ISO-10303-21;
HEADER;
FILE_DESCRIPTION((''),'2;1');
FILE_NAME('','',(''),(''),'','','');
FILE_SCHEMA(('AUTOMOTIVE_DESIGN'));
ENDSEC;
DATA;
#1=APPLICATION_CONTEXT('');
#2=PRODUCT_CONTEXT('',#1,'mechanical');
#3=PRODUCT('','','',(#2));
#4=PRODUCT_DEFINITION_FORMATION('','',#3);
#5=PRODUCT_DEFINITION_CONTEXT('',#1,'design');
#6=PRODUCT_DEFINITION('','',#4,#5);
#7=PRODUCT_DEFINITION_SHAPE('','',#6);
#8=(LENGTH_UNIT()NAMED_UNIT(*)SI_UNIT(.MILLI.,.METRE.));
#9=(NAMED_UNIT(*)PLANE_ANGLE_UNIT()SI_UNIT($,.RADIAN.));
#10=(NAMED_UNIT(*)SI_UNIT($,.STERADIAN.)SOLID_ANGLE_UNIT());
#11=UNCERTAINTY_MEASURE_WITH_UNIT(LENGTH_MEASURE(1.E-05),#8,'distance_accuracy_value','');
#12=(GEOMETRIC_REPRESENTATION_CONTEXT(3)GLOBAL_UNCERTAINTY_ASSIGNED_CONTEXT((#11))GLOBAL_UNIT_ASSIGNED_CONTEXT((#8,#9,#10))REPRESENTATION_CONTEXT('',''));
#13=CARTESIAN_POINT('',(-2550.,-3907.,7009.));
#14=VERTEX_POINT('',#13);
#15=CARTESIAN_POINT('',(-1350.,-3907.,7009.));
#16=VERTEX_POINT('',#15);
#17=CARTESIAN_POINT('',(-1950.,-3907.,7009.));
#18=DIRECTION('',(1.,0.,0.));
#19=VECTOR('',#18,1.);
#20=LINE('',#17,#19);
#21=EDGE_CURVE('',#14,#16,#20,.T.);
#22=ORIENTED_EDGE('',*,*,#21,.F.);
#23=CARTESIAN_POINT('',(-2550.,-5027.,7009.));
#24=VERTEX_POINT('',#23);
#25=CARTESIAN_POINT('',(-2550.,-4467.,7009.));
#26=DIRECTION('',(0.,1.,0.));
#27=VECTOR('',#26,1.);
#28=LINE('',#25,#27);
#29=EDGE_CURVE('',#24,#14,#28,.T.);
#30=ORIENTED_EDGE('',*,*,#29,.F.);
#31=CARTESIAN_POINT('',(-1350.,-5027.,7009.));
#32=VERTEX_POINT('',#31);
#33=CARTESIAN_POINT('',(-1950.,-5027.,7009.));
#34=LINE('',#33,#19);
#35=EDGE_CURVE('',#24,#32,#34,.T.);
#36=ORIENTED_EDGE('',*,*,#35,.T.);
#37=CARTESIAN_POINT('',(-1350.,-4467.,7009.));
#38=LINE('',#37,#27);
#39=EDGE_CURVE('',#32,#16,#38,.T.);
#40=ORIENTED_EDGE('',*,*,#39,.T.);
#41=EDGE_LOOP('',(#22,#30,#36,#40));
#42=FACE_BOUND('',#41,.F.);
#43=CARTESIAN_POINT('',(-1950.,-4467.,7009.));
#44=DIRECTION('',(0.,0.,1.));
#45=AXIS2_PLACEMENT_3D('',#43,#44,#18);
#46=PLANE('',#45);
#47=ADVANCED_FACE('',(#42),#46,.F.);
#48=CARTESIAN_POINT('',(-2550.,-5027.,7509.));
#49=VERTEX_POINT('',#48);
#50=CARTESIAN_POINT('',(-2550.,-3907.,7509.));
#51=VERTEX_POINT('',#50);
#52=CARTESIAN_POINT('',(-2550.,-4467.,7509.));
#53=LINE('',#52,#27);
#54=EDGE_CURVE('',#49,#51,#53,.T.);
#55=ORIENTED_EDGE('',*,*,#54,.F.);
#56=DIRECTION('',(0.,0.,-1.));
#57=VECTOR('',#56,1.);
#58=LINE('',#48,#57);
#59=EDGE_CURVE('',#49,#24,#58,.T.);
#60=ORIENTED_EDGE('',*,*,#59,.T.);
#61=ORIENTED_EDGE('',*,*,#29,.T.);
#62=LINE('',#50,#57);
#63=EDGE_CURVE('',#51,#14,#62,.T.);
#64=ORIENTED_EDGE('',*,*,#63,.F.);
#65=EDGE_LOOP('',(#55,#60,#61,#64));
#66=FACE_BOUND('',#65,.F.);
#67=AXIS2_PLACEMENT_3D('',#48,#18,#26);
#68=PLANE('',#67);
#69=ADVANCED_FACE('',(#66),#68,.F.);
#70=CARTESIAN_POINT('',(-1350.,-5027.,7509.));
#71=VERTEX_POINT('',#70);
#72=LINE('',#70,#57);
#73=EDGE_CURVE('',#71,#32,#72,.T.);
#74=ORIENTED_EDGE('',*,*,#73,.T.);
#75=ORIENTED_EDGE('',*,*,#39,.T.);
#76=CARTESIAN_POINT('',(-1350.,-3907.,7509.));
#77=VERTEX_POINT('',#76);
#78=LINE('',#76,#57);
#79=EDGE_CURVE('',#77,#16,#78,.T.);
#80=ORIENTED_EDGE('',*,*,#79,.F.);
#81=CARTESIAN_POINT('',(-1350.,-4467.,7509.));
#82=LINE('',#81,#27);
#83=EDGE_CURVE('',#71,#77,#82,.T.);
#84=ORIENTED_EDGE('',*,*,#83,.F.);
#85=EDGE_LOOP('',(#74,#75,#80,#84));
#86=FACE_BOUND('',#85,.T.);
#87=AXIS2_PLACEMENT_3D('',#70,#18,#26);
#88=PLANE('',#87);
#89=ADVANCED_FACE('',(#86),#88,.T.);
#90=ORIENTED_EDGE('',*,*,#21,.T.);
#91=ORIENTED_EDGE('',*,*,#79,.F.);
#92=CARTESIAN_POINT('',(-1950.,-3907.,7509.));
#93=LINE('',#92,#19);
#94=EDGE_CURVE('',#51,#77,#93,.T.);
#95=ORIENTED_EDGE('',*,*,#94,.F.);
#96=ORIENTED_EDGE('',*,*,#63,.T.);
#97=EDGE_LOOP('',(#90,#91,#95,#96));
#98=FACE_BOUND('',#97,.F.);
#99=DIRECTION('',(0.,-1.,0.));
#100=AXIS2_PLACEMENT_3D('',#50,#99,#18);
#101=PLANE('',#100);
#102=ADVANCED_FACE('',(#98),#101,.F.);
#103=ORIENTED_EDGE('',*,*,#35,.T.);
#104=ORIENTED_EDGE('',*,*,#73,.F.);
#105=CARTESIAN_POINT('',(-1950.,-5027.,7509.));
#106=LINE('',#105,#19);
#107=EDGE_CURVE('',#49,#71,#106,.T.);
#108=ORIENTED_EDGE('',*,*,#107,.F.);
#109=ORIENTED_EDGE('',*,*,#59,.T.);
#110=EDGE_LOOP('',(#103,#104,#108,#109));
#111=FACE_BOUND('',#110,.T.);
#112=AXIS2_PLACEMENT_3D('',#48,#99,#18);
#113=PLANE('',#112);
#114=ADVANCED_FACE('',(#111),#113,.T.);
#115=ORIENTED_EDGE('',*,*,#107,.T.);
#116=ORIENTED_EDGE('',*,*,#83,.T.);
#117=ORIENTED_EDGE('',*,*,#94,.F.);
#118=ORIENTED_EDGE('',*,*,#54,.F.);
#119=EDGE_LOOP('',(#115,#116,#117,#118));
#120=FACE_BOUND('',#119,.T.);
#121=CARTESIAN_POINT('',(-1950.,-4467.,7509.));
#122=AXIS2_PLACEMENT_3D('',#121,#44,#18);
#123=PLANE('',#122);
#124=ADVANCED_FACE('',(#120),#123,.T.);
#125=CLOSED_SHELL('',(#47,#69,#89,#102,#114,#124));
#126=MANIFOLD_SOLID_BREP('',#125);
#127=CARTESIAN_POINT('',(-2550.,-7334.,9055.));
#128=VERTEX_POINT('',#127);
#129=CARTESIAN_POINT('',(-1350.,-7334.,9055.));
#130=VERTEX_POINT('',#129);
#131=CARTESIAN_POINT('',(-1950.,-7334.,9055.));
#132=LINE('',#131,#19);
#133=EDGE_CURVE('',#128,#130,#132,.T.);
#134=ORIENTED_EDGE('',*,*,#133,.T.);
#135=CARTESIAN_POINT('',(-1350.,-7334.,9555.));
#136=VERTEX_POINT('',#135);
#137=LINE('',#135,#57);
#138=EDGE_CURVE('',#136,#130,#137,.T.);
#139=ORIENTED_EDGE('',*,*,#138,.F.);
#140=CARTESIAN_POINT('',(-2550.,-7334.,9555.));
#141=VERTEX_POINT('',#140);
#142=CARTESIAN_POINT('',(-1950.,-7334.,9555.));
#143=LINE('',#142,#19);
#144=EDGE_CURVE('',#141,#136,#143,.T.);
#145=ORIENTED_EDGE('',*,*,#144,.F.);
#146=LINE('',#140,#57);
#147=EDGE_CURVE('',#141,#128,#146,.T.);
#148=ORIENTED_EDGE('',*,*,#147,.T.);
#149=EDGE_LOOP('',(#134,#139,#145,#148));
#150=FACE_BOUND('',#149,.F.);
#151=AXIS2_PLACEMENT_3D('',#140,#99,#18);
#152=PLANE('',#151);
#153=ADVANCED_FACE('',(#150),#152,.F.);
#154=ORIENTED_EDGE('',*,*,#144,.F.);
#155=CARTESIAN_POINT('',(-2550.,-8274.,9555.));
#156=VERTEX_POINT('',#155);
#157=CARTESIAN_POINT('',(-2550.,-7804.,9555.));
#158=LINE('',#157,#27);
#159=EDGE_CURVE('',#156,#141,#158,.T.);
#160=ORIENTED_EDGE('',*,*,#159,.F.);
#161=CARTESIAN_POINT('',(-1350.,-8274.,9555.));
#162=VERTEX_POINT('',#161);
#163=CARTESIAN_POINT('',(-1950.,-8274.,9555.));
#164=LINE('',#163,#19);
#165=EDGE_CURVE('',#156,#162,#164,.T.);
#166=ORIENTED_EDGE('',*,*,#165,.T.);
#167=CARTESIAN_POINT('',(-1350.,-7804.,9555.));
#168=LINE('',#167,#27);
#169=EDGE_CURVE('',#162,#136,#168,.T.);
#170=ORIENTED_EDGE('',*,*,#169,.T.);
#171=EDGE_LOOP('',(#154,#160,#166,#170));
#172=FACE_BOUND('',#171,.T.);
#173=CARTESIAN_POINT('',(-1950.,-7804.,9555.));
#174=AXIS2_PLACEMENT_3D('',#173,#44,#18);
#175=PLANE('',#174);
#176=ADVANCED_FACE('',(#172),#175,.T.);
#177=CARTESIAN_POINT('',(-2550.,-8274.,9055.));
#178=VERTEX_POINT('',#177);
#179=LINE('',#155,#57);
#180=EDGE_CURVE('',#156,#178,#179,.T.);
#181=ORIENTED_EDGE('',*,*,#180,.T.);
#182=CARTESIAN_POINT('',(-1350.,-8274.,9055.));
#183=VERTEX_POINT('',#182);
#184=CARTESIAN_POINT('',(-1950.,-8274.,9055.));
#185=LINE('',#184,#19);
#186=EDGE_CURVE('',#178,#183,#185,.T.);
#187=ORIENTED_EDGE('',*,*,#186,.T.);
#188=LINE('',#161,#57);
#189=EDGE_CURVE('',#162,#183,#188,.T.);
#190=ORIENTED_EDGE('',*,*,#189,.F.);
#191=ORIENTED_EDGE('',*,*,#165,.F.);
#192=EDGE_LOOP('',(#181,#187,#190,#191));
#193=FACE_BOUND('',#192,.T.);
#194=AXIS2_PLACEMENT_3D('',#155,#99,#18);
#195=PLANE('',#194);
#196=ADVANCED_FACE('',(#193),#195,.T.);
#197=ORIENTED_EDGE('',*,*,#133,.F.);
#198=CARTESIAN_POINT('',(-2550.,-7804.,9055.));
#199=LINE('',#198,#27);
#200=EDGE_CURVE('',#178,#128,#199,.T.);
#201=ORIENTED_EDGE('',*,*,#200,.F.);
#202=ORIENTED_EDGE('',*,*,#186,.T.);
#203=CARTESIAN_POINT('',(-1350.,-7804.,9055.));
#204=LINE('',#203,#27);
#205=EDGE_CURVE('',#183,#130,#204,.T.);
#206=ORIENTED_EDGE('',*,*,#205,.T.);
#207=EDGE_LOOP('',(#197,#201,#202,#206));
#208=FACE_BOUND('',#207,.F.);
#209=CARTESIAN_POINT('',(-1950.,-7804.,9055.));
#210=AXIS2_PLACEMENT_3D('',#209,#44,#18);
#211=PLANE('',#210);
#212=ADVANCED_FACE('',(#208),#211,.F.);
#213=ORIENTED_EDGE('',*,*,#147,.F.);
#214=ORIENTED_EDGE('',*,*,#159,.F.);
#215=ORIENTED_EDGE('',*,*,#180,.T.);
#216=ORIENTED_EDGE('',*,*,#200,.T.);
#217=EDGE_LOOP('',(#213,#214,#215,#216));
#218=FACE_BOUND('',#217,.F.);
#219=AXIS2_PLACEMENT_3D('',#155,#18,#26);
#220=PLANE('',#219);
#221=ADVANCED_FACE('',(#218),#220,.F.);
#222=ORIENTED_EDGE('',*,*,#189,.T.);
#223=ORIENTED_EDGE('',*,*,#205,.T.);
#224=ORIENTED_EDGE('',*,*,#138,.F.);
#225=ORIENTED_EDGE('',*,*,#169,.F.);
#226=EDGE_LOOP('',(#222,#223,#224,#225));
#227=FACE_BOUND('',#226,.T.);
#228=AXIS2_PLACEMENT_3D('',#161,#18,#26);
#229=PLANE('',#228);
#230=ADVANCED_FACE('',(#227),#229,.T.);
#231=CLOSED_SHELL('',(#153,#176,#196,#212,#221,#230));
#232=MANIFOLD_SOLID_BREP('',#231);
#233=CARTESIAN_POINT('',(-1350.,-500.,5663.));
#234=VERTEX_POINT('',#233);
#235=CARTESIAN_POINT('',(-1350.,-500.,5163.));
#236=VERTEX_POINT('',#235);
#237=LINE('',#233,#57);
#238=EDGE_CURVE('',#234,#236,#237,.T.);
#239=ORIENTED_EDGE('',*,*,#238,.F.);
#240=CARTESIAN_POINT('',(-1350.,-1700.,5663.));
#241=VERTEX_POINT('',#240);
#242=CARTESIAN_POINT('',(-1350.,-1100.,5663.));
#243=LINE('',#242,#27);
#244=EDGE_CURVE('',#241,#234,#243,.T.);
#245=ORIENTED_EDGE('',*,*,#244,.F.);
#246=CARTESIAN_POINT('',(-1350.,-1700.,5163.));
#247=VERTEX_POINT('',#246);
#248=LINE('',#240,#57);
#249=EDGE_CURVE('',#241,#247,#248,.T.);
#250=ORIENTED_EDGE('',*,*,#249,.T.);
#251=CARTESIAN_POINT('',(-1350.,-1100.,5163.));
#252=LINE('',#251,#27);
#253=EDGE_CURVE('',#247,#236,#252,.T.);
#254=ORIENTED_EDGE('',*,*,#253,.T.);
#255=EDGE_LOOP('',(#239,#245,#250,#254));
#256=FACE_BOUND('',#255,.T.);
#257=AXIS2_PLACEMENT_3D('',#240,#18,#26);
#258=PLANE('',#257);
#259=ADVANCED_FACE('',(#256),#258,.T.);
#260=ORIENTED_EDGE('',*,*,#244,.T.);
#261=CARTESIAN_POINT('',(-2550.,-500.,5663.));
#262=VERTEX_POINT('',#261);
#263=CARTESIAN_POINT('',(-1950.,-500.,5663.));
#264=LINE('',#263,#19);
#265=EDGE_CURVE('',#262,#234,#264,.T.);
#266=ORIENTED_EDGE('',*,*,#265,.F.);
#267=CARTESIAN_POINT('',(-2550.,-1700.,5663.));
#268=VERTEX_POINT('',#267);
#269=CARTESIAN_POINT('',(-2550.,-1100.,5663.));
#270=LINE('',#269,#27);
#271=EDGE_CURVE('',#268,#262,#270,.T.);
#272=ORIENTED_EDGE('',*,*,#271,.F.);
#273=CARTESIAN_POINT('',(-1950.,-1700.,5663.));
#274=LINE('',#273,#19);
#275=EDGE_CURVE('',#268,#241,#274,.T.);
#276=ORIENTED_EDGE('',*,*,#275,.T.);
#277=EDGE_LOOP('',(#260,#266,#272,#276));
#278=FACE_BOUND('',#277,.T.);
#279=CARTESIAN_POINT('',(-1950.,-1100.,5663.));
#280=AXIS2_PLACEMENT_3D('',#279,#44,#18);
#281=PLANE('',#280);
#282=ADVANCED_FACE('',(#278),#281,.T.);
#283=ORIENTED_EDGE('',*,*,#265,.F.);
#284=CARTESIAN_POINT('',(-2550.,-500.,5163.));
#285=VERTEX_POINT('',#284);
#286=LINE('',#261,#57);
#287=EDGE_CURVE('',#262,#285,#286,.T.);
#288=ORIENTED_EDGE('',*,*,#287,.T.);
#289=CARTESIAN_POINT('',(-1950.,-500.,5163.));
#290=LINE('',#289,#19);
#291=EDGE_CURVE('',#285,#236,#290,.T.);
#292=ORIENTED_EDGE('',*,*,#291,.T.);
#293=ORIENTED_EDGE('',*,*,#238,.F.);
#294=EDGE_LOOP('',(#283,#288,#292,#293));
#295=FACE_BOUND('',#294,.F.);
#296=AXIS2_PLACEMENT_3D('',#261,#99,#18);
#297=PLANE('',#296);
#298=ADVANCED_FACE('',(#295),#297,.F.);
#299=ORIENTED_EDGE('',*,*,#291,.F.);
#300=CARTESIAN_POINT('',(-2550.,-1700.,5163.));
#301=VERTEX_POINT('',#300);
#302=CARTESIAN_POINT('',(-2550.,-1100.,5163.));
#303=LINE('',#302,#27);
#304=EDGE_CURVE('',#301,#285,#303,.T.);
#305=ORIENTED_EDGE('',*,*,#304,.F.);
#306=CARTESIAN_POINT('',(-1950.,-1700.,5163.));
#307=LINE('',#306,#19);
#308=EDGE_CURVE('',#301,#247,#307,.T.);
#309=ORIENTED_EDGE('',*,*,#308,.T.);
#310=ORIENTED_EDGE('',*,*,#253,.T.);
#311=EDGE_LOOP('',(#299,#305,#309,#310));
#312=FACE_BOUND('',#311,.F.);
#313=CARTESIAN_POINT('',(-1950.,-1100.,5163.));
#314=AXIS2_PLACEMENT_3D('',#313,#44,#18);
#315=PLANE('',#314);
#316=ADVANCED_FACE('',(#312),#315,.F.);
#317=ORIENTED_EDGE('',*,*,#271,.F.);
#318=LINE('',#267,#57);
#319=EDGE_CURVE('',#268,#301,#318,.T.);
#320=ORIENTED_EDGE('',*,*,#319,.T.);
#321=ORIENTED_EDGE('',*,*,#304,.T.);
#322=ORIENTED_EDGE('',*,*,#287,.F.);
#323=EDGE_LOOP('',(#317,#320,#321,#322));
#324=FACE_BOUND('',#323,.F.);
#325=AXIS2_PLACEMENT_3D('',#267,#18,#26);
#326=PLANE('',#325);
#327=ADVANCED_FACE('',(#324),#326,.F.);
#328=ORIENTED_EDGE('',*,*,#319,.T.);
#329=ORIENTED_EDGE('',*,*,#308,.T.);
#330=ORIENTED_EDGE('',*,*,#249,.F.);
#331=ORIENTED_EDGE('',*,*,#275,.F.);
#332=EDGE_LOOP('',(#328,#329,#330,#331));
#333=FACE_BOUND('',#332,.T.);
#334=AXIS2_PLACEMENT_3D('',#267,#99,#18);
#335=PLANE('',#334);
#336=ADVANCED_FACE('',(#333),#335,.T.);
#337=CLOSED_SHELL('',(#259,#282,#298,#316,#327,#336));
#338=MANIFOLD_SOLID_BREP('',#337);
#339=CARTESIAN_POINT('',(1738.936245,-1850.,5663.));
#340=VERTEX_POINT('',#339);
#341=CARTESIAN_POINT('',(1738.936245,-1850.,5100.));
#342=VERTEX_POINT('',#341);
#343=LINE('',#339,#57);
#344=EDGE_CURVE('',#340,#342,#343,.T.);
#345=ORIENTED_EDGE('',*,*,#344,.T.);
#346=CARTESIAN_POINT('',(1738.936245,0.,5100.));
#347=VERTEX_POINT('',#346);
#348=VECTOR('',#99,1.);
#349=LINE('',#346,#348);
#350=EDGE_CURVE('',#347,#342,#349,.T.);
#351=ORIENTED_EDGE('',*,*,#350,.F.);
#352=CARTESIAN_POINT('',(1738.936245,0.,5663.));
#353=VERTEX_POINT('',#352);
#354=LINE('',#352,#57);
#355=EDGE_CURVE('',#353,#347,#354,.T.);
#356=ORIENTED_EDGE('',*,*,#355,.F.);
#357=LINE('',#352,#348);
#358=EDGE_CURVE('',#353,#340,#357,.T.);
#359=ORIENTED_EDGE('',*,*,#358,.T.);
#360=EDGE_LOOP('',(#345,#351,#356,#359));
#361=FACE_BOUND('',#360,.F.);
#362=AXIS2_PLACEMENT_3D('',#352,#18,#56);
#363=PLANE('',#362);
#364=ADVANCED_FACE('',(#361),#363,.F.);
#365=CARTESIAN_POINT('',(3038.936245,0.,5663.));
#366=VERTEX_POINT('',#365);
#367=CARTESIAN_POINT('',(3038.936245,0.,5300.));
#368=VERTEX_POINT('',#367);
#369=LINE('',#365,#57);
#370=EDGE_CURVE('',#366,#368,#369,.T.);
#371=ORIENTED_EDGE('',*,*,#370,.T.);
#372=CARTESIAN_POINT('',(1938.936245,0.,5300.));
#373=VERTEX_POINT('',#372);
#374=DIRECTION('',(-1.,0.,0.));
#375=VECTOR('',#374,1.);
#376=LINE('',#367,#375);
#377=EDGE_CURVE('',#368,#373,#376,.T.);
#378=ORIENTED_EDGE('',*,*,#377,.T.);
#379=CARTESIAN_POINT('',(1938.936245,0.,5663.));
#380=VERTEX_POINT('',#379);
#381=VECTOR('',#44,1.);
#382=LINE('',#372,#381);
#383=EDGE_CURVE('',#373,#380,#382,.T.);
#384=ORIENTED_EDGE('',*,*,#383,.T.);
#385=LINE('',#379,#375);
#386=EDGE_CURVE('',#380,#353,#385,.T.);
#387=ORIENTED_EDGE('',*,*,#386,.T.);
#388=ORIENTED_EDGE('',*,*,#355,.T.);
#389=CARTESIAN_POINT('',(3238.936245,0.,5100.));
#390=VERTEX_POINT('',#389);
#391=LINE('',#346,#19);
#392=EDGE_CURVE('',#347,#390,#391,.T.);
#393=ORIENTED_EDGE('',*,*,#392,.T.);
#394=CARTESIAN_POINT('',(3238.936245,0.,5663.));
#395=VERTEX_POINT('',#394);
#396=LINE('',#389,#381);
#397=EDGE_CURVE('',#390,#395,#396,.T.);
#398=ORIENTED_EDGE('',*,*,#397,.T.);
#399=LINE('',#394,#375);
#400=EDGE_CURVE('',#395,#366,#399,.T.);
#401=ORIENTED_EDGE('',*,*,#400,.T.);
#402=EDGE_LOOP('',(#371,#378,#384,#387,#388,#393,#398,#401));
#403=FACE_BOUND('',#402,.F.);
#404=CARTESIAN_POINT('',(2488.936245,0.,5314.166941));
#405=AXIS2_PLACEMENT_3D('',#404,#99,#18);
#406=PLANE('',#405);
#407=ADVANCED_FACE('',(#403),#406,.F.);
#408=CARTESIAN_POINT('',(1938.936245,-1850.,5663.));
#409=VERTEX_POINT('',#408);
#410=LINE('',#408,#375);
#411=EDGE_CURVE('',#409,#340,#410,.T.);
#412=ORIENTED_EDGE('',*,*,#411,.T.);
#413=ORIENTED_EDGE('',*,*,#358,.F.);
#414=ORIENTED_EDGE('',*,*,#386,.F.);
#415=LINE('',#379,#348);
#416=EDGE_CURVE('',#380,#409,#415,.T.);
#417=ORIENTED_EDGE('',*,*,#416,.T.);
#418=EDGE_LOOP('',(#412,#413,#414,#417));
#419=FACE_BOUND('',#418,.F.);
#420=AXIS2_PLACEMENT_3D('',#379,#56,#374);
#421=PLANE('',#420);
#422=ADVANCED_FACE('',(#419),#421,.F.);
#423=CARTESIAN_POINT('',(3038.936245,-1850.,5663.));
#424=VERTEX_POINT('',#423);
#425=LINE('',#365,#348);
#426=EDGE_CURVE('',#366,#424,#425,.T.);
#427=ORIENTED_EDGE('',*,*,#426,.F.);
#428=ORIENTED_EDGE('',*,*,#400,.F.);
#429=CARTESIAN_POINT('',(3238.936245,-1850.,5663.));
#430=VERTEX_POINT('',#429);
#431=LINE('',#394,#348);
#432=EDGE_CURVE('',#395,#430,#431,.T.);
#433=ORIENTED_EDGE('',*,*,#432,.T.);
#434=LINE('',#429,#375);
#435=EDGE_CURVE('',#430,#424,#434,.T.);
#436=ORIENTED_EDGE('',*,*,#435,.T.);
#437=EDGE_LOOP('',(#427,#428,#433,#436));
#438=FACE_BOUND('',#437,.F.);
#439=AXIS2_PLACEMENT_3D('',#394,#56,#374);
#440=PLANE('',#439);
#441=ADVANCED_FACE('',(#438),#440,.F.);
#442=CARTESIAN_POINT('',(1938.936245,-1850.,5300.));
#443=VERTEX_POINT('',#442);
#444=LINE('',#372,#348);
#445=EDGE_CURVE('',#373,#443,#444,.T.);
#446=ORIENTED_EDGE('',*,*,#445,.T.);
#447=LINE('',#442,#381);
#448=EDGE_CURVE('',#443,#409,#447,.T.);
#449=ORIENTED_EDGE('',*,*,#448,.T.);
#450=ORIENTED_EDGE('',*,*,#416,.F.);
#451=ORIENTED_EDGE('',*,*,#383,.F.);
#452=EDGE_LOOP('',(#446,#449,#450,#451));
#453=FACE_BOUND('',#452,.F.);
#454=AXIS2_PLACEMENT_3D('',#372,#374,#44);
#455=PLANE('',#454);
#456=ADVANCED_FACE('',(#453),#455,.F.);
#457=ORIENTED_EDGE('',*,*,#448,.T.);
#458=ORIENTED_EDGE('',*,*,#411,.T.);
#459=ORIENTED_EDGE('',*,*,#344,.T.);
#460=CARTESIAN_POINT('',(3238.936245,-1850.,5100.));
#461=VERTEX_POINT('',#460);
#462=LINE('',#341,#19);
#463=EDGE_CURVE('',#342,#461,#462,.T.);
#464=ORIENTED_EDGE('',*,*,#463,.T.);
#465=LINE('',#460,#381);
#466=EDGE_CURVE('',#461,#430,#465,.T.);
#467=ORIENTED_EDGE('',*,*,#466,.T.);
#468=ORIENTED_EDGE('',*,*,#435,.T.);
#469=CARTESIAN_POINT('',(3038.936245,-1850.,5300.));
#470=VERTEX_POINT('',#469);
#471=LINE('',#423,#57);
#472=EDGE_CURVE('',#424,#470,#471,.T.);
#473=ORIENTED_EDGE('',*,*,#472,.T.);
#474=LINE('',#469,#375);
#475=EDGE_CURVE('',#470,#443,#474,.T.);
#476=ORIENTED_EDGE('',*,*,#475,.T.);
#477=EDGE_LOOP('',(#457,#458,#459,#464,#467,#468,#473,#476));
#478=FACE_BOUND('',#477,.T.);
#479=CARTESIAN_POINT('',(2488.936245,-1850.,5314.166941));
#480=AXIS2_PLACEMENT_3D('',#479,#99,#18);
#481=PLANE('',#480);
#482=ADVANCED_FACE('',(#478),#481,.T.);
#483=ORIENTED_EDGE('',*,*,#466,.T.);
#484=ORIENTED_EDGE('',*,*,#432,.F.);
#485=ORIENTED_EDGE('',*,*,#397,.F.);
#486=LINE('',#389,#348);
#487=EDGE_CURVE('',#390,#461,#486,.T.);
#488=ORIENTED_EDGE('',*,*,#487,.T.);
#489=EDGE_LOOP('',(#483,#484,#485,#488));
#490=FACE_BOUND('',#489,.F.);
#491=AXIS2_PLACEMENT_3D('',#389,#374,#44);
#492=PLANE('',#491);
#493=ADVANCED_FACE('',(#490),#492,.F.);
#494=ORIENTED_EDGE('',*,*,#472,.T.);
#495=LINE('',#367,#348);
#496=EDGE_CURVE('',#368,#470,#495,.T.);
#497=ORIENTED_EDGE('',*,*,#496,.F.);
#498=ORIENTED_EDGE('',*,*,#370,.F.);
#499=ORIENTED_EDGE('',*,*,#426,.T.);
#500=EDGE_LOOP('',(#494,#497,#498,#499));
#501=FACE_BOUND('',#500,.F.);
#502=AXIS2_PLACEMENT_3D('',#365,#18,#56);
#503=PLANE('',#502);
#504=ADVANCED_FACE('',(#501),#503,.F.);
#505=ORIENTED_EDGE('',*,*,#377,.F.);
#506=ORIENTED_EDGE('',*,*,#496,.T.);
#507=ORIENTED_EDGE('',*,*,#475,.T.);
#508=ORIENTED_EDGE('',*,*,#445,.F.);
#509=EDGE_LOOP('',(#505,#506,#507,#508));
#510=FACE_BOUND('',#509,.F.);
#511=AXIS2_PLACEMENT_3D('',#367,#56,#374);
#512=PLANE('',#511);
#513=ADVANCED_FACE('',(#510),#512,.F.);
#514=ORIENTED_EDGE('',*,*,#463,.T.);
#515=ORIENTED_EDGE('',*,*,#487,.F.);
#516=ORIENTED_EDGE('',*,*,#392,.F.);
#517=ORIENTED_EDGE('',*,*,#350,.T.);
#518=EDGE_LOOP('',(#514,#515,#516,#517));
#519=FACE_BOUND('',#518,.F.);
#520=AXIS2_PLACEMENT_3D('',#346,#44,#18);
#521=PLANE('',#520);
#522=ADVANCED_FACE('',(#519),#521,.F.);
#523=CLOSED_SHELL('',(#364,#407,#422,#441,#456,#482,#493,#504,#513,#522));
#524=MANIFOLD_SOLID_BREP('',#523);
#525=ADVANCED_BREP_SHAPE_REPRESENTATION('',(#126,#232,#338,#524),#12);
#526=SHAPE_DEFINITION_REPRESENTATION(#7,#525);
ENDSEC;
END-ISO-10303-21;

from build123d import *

# Parameters (mm, degrees)
F3_W      = 1200
F3_H      = 1200
F4_DEPTH  = 500
F5_W      = 1200
F5_H      = 1120
F6_DEPTH  = 500
F7_W      = 1200
F7_H      = 940
F8_DEPTH  = 500
F10_DEPTH = 1850


with BuildPart() as f4:
    # F3 (on offset) → F4 (new body)
    with BuildSketch(Plane.XY.offset(5663)):
        with Locations((-1950, -1100)):
            Rectangle(F3_W, F3_H)
    extrude(amount=-F4_DEPTH)


with BuildPart() as f6:
    # F5 (on offset) → F6 (new body)
    with BuildSketch(Plane.XY.offset(7509)):
        with Locations((-1950, -4467)):
            Rectangle(F5_W, F5_H)
    extrude(amount=-F6_DEPTH)


with BuildPart() as f8:
    # F7 (on offset) → F8 (new body)
    with BuildSketch(Plane.XY.offset(9555)):
        with Locations((-1950, -7804)):
            Rectangle(F7_W, F7_H)
    extrude(amount=-F8_DEPTH)


with BuildPart() as f10:
    # F9 (on Front) → F10 (new body)
    with BuildSketch(Plane.XZ):
        Polygon((1938.936245, 5663), (1738.936245, 5663), (1738.936245, 5100), (3238.936245, 5100), (3238.936245, 5663), (3038.936245, 5663), (3038.936245, 5300), (1938.936245, 5300), align=None)
    extrude(amount=F10_DEPTH)


solid = Compound([f4.part, f6.part, f8.part, f10.part])
